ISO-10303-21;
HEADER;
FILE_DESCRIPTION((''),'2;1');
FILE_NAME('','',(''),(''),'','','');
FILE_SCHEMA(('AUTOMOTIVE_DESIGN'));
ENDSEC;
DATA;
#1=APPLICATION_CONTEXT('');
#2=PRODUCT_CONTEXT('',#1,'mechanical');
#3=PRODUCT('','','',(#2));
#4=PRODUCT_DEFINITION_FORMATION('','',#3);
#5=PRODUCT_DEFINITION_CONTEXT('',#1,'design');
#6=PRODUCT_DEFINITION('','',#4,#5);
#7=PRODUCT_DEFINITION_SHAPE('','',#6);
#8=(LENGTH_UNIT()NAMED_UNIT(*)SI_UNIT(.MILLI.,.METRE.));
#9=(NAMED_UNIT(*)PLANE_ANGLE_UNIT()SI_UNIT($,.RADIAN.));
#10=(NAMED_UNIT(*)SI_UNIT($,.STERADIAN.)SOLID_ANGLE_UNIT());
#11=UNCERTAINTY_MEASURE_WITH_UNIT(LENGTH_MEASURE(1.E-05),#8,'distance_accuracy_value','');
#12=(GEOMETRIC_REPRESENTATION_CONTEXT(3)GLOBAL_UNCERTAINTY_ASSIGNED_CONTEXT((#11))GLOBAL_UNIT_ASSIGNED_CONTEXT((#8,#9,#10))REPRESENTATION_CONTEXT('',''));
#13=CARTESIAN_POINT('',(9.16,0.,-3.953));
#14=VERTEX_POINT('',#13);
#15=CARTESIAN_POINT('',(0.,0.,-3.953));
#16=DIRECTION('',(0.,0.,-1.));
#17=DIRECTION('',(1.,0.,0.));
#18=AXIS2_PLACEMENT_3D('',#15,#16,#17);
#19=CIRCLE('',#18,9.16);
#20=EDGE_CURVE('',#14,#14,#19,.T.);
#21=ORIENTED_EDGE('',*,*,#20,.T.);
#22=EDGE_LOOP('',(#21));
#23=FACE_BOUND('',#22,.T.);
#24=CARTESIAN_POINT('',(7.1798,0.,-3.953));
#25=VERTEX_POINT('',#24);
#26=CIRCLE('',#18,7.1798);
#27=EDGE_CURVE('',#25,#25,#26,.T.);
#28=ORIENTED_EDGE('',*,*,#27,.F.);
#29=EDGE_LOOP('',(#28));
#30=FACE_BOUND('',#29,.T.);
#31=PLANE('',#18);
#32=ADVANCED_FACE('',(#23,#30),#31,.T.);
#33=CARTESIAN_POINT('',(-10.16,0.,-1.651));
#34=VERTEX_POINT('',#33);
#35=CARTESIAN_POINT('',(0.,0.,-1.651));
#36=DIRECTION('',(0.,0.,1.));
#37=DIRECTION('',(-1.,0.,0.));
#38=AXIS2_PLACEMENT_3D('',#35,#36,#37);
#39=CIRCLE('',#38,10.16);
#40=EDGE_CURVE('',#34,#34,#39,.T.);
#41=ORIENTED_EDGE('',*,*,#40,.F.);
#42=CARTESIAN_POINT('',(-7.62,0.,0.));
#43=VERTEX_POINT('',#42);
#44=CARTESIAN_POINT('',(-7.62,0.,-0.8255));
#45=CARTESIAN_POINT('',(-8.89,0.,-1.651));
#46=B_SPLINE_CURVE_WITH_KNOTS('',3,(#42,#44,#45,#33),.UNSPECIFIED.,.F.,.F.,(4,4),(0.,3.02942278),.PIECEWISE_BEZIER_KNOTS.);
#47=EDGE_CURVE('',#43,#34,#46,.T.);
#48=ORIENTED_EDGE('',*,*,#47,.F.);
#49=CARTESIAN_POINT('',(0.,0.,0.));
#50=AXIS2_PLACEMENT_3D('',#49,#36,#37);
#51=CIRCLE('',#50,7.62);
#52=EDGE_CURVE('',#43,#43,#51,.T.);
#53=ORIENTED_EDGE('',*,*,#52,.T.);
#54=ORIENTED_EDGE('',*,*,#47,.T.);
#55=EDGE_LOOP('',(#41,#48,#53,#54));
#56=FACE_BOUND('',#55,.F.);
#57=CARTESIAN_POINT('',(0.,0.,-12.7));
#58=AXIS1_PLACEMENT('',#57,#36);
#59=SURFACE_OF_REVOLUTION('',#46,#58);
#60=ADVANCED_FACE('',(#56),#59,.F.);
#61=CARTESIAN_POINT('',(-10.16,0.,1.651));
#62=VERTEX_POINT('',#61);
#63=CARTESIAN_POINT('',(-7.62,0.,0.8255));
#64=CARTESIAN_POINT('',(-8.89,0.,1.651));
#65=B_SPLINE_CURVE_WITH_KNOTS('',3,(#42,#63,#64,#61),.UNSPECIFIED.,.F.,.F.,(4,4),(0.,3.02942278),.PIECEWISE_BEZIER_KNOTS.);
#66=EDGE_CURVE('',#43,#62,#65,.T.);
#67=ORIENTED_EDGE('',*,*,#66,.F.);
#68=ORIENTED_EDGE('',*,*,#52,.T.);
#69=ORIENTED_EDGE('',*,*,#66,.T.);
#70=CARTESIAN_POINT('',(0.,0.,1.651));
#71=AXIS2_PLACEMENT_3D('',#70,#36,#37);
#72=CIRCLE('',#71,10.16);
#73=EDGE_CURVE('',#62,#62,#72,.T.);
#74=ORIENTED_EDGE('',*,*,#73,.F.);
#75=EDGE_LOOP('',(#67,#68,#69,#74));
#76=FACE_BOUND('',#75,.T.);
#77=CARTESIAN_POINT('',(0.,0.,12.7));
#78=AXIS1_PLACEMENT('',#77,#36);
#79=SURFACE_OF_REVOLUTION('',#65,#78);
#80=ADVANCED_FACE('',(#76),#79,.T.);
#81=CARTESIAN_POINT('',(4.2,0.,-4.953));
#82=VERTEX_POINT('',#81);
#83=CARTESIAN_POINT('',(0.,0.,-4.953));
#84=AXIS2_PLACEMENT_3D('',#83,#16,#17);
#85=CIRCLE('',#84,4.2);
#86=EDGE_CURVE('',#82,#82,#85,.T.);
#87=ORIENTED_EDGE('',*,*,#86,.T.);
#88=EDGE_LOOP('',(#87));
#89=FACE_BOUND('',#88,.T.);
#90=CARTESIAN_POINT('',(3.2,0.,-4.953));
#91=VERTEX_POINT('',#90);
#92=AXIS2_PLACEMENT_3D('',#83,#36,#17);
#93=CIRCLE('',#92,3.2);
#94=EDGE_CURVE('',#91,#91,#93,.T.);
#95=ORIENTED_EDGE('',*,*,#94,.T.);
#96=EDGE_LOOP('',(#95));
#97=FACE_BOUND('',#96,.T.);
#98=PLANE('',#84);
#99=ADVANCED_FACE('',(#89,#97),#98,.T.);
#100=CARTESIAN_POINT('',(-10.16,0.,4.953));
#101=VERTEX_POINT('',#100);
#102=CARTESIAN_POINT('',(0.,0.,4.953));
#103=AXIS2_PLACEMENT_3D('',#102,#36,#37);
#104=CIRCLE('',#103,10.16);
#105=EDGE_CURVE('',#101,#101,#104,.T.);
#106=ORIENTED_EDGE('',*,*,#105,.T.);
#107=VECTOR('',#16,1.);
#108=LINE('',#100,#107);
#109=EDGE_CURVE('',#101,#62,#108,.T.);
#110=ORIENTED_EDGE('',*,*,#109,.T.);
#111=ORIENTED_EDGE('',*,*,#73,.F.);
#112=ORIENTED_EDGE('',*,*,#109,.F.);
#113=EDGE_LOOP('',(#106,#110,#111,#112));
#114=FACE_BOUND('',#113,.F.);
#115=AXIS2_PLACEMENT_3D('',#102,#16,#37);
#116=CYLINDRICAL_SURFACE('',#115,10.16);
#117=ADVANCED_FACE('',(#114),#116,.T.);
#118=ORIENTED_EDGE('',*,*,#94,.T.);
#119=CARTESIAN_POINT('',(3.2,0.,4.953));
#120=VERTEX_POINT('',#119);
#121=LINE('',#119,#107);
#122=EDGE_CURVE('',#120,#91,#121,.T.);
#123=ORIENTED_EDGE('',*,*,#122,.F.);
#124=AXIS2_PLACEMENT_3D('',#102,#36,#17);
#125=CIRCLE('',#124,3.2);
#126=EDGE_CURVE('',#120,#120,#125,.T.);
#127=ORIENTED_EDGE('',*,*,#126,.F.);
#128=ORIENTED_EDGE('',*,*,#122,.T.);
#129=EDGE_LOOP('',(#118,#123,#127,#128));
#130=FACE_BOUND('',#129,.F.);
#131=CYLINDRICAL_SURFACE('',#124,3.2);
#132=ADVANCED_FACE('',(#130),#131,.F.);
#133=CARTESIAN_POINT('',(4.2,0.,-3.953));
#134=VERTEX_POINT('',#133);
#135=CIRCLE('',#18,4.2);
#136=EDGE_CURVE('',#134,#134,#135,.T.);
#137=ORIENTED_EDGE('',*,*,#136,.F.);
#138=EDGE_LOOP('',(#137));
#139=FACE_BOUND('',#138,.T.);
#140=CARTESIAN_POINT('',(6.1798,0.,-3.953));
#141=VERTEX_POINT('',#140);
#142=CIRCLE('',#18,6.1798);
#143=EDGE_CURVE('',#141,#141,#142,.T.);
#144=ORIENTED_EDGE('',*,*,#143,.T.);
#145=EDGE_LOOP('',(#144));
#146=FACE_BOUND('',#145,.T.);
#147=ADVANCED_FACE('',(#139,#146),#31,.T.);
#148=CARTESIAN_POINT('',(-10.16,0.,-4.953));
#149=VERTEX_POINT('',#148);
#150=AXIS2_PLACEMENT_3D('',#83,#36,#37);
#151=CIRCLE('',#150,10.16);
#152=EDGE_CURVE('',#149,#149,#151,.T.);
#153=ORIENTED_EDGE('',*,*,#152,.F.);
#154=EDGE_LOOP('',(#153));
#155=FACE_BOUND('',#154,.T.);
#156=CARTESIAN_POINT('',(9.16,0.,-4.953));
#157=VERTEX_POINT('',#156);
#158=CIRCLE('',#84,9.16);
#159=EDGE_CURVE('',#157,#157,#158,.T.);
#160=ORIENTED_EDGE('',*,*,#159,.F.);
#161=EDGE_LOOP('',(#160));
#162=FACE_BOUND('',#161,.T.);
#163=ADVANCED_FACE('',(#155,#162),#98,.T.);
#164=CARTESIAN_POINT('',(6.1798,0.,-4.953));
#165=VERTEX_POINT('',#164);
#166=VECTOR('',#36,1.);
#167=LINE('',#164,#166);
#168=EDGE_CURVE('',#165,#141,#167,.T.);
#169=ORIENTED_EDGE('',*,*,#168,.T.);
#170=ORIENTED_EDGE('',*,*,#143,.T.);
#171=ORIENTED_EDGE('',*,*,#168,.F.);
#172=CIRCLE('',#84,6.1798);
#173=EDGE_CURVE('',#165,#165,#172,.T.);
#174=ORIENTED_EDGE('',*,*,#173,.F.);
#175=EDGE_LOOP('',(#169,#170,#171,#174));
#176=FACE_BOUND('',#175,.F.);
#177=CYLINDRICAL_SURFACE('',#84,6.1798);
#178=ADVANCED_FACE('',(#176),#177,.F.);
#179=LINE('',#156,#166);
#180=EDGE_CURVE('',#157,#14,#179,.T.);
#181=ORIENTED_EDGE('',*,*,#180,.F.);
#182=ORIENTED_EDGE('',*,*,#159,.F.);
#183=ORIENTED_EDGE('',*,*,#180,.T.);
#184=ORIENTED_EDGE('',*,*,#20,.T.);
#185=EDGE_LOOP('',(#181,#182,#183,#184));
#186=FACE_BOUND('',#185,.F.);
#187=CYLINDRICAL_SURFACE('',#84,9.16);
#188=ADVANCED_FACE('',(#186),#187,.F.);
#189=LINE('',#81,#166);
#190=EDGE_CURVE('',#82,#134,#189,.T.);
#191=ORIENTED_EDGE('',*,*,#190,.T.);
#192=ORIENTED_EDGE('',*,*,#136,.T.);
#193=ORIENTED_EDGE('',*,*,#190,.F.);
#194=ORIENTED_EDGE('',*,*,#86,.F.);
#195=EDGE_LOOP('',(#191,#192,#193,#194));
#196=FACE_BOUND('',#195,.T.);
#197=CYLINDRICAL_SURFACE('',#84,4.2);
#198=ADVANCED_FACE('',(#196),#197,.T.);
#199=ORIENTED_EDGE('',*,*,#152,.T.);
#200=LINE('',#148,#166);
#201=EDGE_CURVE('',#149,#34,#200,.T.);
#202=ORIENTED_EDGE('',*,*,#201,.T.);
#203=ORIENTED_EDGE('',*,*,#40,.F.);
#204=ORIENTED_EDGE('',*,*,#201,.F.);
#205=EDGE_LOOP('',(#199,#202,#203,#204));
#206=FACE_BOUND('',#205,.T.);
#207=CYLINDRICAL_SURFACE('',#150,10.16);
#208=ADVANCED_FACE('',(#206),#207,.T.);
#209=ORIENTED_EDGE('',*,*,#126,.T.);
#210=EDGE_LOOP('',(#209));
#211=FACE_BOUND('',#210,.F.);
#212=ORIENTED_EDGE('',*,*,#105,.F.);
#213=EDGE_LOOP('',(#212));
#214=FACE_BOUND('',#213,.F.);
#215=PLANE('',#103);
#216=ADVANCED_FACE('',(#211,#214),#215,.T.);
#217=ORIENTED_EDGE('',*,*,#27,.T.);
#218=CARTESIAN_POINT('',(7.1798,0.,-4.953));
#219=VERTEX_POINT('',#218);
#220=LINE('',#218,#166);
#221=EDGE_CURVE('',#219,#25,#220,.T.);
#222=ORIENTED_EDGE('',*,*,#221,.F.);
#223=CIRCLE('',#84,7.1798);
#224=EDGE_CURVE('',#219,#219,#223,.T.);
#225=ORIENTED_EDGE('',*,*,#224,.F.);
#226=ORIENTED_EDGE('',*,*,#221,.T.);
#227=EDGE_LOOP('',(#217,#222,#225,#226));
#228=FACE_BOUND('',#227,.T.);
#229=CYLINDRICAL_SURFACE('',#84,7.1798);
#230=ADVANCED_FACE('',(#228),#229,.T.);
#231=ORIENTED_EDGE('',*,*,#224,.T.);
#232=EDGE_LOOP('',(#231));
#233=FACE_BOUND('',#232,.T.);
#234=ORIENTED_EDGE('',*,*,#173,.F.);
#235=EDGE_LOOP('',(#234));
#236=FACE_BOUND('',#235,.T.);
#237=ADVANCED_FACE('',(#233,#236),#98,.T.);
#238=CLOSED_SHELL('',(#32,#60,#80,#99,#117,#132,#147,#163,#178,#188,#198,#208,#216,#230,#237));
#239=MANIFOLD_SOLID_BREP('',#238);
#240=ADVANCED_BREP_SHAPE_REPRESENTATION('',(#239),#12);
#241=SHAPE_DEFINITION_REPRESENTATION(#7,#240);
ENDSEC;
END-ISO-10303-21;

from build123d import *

# Parameters (mm, degrees)
F3_R     = 3.2
F4_DEPTH = 9.907
F5_R     = 9.16
F5_R_2   = 7.1798
F5_R_3   = 6.1798
F5_R_4   = 4.2
F6_DEPTH = 1


with BuildPart() as f1:
    # F0 (on Front) → F1 (revolve)
    with BuildSketch(Plane.XZ):
        Polygon((0, 0), (0, 4.953), (-10.16, 4.953), (-10.16, 1.6510004181), (-7.62, 1.6510004181), (-7.62, 0), align=None)
        with BuildLine():
            Line((-7.62, 1.6510004181), (-10.16, 1.6510004181))
            add(Edge.make_bspline(
                [(-7.62, 0), (-7.62, 0.8255002091), (-8.89, 1.6510004181), (-10.16, 1.6510004181)],
                knots=[0, 0, 0, 0, 3.0294227801, 3.0294227801, 3.0294227801, 3.0294227801], degree=3))
            Line((-7.62, 0), (-7.62, 1.6510004181))
        make_face()
    revolve(axis=Axis((0, 0, 12.7), (0, 0, 1)))

    # F2: F1 across plane


with BuildPart() as f1_1:
    add(f1.part)
    add(f1.part.mirror(Plane.XY))

    # F3 (on face) → F4 (cut, through all)
    with BuildSketch(Plane.XY.offset(4.953)):
        Circle(F3_R)
    extrude(amount=-F4_DEPTH, mode=Mode.SUBTRACT)

    # F5 (on face) → F6 (cut)
    with BuildSketch(Plane(origin=(0, 0, -4.953), x_dir=(1, 0, 0), z_dir=(0, 0, -1))):
        Circle(F5_R)
        Circle(F5_R_2, mode=Mode.SUBTRACT)
        Circle(F5_R_3)
        Circle(F5_R_4, mode=Mode.SUBTRACT)
    extrude(amount=-F6_DEPTH, mode=Mode.SUBTRACT)


solid = f1_1.part
